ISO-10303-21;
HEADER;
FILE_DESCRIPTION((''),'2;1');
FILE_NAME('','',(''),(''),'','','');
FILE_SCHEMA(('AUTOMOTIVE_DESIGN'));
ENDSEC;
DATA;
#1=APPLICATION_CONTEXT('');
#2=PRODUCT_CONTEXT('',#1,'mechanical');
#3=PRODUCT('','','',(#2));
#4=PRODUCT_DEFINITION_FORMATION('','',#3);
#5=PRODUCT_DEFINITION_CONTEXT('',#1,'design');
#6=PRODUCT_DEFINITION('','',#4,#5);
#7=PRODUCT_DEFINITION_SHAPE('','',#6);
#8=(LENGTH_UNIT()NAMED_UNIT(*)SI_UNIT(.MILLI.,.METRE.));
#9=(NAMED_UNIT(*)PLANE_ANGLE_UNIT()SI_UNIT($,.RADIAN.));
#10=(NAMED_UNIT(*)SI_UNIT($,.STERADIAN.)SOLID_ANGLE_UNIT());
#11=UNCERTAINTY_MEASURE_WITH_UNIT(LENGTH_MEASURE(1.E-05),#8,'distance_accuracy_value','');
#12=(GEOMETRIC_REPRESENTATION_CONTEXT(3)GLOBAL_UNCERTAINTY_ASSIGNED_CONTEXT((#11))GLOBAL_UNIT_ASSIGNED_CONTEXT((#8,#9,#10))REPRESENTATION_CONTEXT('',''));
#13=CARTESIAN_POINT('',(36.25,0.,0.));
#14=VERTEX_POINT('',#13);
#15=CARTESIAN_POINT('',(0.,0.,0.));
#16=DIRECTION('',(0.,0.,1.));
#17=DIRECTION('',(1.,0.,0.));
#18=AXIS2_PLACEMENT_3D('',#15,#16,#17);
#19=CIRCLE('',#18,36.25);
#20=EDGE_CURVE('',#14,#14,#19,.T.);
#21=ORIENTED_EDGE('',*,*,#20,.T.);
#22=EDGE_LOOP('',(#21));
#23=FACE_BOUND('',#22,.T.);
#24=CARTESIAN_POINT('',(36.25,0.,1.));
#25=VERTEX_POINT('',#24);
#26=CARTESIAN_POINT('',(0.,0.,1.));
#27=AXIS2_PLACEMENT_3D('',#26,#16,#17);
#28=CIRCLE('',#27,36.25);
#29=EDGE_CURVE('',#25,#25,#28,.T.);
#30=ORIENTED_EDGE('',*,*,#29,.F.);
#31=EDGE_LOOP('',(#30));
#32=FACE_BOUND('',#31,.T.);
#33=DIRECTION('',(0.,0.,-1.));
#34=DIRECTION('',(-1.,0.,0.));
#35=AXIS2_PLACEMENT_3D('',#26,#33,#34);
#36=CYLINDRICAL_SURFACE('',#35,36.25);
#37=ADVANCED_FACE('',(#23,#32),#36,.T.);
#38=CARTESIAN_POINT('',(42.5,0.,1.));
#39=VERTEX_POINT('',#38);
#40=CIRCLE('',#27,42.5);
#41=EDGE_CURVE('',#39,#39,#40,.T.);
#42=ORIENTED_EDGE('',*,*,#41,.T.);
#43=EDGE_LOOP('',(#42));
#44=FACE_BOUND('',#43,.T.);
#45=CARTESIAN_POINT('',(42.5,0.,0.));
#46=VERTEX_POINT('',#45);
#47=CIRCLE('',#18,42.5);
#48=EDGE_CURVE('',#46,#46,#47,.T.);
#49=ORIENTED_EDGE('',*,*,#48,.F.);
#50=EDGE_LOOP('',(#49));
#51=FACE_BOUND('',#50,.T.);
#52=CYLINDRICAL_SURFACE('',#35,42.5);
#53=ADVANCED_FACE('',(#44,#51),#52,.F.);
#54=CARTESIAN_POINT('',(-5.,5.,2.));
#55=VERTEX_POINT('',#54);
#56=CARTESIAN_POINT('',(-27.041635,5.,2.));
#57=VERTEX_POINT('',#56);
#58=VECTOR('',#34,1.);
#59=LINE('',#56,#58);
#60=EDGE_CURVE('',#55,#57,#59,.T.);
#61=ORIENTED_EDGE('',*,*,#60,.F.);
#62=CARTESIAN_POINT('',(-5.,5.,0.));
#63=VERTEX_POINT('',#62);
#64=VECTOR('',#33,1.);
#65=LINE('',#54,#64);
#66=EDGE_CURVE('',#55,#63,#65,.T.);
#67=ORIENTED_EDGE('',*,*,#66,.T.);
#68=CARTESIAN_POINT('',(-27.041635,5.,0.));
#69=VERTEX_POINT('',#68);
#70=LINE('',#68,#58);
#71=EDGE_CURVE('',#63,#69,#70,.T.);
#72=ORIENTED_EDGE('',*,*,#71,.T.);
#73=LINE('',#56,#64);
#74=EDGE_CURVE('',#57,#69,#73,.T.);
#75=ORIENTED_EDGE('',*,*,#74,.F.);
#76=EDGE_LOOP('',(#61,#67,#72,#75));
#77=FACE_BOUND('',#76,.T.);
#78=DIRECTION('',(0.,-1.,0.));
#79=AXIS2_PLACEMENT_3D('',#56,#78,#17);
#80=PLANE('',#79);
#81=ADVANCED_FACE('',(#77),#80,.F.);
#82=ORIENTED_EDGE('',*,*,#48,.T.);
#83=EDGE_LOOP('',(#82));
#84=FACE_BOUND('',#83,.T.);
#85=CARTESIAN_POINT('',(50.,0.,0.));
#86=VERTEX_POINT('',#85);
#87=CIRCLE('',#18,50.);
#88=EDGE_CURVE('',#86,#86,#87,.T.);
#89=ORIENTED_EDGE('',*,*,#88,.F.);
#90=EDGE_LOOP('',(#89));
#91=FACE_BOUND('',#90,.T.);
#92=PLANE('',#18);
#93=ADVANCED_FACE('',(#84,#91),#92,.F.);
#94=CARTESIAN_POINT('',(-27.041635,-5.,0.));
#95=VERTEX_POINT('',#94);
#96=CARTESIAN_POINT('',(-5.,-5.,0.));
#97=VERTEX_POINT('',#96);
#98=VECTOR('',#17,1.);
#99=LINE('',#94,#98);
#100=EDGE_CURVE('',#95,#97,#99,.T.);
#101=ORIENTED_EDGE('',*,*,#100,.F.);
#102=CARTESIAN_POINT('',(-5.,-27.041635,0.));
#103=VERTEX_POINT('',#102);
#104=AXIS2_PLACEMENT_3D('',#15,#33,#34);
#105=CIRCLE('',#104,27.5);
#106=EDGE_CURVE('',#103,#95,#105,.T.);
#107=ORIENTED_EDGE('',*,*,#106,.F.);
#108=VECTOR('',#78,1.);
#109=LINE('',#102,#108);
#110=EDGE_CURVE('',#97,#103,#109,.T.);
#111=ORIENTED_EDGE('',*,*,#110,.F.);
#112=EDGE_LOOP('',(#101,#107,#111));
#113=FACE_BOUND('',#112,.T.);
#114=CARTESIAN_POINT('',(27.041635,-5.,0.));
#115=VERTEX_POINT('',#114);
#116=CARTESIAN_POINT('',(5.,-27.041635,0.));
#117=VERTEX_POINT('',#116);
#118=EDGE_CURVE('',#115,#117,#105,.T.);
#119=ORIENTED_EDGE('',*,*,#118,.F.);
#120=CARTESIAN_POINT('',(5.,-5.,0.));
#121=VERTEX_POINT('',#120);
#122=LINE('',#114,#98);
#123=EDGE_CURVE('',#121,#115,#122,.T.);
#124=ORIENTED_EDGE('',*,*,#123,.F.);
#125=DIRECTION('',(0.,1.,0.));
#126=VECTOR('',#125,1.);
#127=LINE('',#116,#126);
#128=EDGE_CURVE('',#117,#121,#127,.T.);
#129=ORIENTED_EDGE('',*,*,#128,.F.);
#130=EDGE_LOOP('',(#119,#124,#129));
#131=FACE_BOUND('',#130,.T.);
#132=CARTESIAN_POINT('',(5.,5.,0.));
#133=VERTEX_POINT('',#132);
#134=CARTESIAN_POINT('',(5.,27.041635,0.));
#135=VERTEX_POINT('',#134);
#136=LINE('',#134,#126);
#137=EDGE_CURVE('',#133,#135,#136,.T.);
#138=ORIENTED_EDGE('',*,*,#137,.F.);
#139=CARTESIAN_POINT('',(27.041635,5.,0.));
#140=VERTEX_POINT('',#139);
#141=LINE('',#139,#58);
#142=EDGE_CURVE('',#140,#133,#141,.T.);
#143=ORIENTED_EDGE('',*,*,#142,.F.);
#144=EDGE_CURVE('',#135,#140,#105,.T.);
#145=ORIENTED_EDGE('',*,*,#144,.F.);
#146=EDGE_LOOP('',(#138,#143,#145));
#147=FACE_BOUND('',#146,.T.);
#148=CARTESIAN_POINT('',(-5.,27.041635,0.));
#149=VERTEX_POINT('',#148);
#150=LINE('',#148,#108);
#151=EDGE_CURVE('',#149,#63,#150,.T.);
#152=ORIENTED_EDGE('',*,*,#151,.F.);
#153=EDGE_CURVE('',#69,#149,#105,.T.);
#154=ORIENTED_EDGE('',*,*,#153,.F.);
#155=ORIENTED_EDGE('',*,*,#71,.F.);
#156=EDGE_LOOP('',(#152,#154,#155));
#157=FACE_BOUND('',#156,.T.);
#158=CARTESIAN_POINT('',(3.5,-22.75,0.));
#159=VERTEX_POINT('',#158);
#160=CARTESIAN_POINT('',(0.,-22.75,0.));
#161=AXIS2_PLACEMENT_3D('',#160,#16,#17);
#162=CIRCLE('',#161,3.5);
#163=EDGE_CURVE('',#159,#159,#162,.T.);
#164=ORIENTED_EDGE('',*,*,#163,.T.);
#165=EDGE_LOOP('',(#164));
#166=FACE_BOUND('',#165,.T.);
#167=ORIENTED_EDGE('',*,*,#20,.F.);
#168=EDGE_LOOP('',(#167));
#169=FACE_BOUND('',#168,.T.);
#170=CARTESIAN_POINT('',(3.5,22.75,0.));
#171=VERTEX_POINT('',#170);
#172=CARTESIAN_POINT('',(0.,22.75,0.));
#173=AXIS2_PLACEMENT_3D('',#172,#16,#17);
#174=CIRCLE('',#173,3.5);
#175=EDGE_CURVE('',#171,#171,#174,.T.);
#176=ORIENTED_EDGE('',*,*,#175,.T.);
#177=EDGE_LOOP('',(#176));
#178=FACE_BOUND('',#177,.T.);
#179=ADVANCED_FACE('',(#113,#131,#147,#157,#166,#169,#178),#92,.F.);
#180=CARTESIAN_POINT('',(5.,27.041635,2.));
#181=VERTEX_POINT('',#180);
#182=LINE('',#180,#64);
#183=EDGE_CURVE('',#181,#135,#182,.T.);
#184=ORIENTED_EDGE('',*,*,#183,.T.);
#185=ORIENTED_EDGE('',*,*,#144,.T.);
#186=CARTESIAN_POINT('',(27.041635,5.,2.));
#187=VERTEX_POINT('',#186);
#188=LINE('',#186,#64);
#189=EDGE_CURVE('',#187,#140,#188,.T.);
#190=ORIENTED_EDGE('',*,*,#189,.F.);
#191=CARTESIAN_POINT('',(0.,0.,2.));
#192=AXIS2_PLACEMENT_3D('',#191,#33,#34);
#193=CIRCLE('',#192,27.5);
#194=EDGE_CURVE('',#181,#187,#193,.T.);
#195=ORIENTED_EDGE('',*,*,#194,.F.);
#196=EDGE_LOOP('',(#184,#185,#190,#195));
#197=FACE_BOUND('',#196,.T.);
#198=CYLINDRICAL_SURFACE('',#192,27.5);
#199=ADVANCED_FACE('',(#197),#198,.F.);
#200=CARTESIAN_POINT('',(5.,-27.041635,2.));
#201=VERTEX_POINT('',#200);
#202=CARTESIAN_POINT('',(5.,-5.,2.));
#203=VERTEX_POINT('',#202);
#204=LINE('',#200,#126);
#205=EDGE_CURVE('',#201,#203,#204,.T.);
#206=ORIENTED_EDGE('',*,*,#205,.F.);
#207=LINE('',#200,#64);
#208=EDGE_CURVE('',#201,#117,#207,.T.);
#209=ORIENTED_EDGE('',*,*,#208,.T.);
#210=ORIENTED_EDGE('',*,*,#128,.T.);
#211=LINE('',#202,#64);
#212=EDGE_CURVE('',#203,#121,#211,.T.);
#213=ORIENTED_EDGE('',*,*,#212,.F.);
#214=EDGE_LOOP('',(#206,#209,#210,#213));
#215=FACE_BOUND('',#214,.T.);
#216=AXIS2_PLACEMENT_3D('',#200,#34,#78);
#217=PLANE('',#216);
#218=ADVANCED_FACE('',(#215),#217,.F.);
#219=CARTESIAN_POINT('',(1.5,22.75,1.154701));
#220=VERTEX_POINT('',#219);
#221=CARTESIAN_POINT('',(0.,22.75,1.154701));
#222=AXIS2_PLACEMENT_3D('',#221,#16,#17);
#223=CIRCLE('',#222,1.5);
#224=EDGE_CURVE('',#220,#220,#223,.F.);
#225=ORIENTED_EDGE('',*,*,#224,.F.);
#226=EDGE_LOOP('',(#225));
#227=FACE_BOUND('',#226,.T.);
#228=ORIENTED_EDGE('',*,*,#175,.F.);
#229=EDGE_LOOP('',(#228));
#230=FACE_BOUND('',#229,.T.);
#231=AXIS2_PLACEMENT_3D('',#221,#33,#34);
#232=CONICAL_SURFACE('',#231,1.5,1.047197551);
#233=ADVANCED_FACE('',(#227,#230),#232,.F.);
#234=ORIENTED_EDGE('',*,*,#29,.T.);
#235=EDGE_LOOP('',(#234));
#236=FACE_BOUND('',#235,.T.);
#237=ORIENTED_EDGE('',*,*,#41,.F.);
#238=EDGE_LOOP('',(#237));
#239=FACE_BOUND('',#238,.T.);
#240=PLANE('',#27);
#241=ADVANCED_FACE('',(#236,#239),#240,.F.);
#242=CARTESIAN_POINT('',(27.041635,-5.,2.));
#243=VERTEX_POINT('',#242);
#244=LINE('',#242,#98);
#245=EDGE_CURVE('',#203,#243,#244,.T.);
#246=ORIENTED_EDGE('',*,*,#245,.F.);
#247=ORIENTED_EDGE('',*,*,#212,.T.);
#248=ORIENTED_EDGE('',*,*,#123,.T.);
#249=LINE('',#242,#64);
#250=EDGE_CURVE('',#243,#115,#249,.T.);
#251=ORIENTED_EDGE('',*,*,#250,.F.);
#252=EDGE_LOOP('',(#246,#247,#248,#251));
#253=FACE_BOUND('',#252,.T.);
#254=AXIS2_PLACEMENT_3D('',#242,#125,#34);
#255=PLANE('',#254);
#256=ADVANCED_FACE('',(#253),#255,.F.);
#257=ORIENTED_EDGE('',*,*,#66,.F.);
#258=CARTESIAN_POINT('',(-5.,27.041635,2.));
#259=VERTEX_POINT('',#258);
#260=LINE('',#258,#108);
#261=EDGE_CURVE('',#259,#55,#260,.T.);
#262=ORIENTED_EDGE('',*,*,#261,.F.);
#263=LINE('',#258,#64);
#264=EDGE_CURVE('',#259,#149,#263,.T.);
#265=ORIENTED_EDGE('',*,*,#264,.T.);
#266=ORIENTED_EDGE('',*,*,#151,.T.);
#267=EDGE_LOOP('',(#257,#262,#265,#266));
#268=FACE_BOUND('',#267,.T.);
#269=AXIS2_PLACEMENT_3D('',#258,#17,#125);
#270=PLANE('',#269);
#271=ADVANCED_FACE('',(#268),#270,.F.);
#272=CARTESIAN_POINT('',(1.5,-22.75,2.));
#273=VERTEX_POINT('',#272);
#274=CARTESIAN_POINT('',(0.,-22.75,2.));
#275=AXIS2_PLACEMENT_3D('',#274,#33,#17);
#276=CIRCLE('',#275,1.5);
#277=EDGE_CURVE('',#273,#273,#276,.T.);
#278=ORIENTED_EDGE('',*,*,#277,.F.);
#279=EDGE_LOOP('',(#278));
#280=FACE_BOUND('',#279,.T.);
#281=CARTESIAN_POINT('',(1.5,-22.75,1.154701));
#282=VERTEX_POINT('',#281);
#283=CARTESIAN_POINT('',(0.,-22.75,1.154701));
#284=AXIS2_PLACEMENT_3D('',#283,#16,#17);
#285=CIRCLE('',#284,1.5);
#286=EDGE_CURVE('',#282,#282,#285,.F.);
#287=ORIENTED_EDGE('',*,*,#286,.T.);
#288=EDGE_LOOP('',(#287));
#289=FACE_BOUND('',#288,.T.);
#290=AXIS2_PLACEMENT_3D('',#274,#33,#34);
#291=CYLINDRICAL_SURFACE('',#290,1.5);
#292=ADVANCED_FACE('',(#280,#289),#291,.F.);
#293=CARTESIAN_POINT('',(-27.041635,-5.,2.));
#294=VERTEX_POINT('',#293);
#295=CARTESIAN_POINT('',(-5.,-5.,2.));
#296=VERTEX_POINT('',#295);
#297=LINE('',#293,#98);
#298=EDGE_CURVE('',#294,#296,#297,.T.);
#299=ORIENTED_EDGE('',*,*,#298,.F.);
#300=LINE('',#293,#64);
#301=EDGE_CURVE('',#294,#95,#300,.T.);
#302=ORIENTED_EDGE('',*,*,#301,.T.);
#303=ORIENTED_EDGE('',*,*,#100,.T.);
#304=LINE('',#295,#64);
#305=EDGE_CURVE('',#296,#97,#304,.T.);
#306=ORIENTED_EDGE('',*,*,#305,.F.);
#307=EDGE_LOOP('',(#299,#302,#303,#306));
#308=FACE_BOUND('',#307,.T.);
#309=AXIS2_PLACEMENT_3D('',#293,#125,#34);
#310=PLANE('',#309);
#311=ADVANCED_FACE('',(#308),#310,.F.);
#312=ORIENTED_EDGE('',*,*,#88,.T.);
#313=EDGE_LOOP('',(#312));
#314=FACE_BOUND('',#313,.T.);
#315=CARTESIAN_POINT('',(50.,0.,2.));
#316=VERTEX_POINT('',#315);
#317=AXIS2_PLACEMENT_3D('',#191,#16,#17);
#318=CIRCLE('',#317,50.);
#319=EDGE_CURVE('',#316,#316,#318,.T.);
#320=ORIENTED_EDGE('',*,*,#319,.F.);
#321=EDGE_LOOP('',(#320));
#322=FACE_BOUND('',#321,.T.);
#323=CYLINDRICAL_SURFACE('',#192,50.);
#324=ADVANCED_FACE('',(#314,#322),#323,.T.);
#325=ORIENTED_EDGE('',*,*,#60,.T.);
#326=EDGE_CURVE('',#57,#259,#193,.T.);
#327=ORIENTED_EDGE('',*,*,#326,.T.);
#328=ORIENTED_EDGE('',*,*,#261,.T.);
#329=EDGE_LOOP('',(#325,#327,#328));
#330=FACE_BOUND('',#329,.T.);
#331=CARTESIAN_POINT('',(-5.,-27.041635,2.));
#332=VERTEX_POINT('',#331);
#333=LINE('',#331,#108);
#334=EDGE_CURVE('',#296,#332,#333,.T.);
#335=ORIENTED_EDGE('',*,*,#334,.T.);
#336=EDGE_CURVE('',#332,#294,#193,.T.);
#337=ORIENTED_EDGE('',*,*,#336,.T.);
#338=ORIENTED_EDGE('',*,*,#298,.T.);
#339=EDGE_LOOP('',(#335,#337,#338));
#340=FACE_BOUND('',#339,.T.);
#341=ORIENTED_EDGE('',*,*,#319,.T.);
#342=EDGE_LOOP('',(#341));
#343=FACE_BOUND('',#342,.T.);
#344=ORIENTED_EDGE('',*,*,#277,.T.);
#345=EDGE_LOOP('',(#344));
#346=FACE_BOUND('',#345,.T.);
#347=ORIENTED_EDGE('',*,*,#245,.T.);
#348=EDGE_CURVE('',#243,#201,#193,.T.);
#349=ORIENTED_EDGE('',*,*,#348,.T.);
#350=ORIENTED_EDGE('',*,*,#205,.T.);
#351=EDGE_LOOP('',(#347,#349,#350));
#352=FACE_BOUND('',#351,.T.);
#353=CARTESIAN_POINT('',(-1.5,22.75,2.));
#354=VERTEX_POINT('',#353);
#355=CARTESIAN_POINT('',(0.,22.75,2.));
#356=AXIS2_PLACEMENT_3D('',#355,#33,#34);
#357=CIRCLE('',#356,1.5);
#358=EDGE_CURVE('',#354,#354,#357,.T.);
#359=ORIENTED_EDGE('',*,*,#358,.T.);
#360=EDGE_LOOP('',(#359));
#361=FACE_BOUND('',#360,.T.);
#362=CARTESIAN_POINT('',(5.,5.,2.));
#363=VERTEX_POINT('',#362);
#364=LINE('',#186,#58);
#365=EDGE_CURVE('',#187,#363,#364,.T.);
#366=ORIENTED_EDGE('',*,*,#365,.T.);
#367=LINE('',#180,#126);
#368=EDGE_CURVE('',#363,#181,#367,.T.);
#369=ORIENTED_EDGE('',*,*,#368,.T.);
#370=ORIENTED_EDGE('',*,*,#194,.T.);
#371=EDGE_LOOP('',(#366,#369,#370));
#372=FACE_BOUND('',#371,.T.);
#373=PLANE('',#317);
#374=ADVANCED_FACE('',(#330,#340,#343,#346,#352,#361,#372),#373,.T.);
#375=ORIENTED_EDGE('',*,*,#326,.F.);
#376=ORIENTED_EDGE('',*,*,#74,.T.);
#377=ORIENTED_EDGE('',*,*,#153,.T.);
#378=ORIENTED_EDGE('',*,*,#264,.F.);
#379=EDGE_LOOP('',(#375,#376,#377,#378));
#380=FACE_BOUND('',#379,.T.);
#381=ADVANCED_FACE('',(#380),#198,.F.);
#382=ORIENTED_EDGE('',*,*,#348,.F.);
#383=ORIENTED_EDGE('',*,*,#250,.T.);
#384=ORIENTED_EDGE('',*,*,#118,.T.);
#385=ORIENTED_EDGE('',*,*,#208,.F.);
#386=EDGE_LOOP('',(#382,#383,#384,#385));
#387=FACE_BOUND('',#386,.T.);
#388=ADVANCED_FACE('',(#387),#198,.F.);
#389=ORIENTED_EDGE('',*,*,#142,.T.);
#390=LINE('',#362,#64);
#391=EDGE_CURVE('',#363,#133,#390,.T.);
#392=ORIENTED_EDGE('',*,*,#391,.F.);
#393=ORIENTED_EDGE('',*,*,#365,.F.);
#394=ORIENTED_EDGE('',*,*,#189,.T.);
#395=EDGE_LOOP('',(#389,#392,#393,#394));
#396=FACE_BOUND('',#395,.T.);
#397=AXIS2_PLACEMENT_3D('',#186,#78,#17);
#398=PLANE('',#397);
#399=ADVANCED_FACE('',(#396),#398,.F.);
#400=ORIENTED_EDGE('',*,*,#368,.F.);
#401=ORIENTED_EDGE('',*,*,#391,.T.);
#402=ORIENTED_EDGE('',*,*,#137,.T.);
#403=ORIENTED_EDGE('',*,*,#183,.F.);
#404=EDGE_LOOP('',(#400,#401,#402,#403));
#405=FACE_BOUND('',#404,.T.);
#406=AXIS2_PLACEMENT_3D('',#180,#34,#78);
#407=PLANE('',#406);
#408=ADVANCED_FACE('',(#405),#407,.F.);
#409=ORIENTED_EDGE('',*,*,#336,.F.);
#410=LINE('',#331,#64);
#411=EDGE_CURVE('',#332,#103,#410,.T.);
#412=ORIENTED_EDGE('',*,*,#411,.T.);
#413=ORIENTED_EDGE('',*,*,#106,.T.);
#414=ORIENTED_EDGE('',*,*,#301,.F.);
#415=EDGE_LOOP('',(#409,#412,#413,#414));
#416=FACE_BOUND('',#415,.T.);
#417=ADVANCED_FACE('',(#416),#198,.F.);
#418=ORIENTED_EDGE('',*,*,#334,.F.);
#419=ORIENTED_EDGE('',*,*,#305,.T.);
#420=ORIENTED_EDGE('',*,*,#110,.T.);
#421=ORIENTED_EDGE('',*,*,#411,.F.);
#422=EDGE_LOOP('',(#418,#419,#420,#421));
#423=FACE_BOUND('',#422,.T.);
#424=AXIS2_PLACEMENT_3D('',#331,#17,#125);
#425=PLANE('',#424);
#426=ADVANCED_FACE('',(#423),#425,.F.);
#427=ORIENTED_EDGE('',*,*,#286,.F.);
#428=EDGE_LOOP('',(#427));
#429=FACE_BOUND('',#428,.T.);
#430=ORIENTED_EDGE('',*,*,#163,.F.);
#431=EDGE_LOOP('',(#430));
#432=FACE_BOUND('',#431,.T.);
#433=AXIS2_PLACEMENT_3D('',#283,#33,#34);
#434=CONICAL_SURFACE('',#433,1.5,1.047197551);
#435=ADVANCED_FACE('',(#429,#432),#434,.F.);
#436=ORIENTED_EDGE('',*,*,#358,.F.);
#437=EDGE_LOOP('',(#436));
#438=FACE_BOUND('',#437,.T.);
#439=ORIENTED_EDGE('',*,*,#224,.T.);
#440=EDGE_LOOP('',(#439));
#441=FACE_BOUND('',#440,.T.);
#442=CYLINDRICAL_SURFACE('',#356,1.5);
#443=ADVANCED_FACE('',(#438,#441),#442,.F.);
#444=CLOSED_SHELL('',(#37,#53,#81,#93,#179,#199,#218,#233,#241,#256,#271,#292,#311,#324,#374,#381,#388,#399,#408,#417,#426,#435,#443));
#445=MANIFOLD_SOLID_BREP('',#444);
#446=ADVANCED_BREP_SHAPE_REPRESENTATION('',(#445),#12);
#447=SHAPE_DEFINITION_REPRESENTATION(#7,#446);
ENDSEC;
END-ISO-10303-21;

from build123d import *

# Parameters (mm, degrees)
SKETCH1_R           = 50
BOSS_EXTRUDE1_DEPTH = 2
SKETCH2_R           = 42.5
SKETCH2_R_2         = 36.25
CUT_EXTRUDE1_DEPTH  = 1
SKETCH3_R           = 1.5
CUT_EXTRUDE2_DEPTH  = 71.738956735
CHAMFER1_SIZE       = 2
CHAMFER1_SIZE2      = 1.154700538


with BuildPart() as part:
    # Sketch1 → Boss-Extrude1 (new body)
    with BuildSketch(Plane.XY):
        Circle(SKETCH1_R)
    extrude(amount=BOSS_EXTRUDE1_DEPTH)

    # Sketch2 → Cut-Extrude1 (cut)
    with BuildSketch(Plane.XY):
        Circle(SKETCH2_R)
        Circle(SKETCH2_R_2, mode=Mode.SUBTRACT)
    extrude(amount=CUT_EXTRUDE1_DEPTH, mode=Mode.SUBTRACT)

    # Sketch3 → Cut-Extrude2 (cut, through all)
    with BuildSketch(Plane(origin=(0, 0, 0), x_dir=(-1, 0, 0), z_dir=(0, 0, -1))):
        with Locations((0, 22.75)):
            Circle(SKETCH3_R)
        with Locations(Location((0, -22.75, 0), (0, 0, 180))):
            Circle(SKETCH3_R)
        with BuildLine():
            Line((-5, 27.041634566), (-5, 5))
            Line((-5, 5), (-27.041634566, 5))
            ThreePointArc((-27.041634566, 5), (-19.445436483, 19.445436483), (-5, 27.041634566))
        make_face()
        with BuildLine():
            Line((5, 27.041634566), (5, 5))
            Line((5, 5), (27.041634566, 5))
            ThreePointArc((27.041634566, 5), (19.445436483, 19.445436483), (5, 27.041634566))
        make_face()
        with BuildLine():
            Line((27.041634566, -5), (5, -5))
            Line((5, -5), (5, -27.041634566))
            ThreePointArc((5, -27.041634566), (19.445436483, -19.445436483), (27.041634566, -5))
        make_face()
        with BuildLine():
            Line((-5, -27.041634566), (-5, -5))
            Line((-5, -5), (-27.041634566, -5))
            ThreePointArc((-27.041634566, -5), (-19.445436483, -19.445436483), (-5, -27.041634566))
        make_face()
    extrude(amount=-CUT_EXTRUDE2_DEPTH, mode=Mode.SUBTRACT)

    # Chamfer1
    chamfer1_edges = [part.edges().sort_by_distance(p)[0] for p in [
        (1.5, 22.75, 0),
        (-1.5, -22.75, 0),
    ]]
    chamfer1_side = [part.faces().sort_by_distance(p)[0] for p in [
        (0, 0, 0),
    ]]
    chamfer(chamfer1_edges, length=CHAMFER1_SIZE, length2=CHAMFER1_SIZE2, reference=chamfer1_side[0])


solid = part.part
